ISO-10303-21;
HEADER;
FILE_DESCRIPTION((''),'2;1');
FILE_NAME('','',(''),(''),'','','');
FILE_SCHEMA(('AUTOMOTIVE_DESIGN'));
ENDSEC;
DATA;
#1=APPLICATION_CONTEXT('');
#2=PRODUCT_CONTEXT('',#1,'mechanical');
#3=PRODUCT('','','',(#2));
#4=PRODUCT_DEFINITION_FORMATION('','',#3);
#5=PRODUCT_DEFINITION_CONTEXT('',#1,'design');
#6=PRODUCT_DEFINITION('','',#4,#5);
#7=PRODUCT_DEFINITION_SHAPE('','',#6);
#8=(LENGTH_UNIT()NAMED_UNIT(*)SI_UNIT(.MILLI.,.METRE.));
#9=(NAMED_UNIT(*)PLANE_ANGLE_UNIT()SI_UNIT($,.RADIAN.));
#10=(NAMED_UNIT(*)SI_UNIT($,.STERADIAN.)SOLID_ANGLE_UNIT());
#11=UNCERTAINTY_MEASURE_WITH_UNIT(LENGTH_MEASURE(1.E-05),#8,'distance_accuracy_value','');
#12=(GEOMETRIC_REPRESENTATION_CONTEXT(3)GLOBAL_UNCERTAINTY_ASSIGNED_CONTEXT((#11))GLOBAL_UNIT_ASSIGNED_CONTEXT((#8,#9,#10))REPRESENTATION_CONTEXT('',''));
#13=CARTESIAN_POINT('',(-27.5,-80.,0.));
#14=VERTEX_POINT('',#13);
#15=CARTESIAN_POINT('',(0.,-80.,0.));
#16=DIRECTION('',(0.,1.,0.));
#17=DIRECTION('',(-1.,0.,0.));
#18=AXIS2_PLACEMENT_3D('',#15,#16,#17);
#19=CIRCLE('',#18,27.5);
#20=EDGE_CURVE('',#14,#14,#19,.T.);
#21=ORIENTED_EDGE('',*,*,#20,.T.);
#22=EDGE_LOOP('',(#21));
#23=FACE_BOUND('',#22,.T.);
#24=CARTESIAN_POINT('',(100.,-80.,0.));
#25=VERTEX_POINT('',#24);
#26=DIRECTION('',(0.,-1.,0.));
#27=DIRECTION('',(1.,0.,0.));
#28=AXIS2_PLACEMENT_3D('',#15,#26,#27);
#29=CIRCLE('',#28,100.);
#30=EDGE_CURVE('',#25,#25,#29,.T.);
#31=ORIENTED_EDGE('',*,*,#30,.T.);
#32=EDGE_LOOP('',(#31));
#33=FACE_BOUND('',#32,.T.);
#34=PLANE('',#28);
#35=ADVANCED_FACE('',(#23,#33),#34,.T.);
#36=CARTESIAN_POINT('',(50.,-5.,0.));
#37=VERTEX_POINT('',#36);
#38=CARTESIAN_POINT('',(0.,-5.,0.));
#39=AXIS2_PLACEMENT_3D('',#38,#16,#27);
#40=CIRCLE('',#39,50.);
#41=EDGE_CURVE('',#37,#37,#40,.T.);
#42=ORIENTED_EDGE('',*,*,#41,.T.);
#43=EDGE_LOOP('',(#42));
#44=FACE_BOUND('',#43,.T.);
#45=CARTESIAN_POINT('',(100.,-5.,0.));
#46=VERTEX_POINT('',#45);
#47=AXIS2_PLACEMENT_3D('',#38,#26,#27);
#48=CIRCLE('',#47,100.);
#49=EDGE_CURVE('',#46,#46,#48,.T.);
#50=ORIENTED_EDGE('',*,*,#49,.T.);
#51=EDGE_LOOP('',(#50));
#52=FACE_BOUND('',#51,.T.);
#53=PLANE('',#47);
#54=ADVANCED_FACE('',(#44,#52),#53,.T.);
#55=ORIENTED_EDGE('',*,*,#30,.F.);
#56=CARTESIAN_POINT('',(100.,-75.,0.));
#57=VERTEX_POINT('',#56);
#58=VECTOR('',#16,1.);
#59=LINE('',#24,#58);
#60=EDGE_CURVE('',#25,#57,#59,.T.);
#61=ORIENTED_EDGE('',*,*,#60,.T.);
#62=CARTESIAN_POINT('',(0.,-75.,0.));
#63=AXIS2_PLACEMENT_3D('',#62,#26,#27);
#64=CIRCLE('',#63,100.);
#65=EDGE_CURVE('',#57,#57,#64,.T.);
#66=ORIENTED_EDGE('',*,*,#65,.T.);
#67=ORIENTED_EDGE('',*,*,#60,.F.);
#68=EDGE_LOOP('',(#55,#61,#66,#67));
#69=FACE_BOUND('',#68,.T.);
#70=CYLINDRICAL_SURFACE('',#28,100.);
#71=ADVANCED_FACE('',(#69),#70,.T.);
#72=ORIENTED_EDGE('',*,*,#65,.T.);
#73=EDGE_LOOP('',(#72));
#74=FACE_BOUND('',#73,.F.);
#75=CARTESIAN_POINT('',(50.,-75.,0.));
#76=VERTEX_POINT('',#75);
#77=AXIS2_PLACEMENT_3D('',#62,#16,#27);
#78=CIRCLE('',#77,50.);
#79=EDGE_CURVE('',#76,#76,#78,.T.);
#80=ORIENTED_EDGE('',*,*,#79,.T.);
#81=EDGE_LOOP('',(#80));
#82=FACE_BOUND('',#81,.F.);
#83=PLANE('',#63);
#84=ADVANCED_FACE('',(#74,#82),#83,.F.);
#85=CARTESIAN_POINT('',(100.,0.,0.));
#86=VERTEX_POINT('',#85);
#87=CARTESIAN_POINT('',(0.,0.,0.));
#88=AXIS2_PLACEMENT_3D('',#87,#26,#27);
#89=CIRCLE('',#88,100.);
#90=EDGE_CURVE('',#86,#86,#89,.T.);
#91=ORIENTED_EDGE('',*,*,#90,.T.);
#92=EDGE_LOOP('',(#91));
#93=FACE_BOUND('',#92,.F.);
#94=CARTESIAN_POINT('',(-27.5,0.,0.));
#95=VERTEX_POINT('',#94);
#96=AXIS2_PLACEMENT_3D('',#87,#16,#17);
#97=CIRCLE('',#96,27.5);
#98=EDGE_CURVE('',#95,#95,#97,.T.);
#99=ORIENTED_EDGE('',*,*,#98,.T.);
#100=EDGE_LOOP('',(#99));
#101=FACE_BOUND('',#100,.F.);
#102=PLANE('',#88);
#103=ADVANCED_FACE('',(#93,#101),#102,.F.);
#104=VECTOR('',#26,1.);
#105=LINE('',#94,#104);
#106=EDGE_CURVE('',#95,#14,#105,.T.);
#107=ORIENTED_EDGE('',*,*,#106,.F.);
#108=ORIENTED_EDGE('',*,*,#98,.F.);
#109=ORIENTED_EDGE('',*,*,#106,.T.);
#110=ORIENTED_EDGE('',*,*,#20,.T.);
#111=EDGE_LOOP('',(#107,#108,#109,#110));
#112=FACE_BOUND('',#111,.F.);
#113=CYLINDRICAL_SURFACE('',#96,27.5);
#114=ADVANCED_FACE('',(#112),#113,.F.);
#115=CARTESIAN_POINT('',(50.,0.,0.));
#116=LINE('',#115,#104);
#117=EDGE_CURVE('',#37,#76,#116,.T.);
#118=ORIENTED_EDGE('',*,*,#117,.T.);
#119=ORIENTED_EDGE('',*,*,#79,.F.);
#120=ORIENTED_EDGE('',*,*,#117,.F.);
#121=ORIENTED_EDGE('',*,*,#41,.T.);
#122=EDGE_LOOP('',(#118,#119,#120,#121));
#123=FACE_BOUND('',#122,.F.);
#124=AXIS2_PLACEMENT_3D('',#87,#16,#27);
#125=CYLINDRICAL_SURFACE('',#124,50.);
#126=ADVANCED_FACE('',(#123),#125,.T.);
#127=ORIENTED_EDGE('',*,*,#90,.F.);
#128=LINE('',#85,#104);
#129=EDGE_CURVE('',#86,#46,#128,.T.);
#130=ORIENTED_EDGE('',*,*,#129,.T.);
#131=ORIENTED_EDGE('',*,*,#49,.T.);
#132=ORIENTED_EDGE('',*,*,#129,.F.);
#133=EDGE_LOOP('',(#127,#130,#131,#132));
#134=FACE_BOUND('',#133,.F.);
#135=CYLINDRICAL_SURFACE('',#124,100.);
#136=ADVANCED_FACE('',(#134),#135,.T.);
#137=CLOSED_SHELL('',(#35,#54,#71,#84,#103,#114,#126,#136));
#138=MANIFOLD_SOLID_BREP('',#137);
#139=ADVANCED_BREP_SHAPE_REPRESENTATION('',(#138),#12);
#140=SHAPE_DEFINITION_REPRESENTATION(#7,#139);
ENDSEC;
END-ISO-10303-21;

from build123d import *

# Parameters (mm, degrees)
F0_R     = 50
F1_DEPTH = 80
F2_R     = 100
F3_DEPTH = 5
F4_R     = 100
F5_DEPTH = 5
F6_R     = 27.5
F7_DEPTH = 100


with BuildPart() as f1:
    # F0 (on Front) → F1 (new body)
    with BuildSketch(Plane.XZ):
        Circle(F0_R)
    extrude(amount=F1_DEPTH)

    # F2 (on Front) → F3 (join)
    with BuildSketch(Plane.XZ):
        Circle(F2_R)
    extrude(amount=F3_DEPTH)

    # F4 (on face) → F5 (join)
    with BuildSketch(Plane.XZ.offset(80)):
        Circle(F4_R)
    extrude(amount=-F5_DEPTH)

    # F6 (on face) → F7 (cut)
    with BuildSketch(Plane(origin=(0, 0, 0), x_dir=(-1, 0, 0), z_dir=(0, 1, 0))):
        Circle(F6_R)
    extrude(amount=-F7_DEPTH, mode=Mode.SUBTRACT)


solid = f1.part
